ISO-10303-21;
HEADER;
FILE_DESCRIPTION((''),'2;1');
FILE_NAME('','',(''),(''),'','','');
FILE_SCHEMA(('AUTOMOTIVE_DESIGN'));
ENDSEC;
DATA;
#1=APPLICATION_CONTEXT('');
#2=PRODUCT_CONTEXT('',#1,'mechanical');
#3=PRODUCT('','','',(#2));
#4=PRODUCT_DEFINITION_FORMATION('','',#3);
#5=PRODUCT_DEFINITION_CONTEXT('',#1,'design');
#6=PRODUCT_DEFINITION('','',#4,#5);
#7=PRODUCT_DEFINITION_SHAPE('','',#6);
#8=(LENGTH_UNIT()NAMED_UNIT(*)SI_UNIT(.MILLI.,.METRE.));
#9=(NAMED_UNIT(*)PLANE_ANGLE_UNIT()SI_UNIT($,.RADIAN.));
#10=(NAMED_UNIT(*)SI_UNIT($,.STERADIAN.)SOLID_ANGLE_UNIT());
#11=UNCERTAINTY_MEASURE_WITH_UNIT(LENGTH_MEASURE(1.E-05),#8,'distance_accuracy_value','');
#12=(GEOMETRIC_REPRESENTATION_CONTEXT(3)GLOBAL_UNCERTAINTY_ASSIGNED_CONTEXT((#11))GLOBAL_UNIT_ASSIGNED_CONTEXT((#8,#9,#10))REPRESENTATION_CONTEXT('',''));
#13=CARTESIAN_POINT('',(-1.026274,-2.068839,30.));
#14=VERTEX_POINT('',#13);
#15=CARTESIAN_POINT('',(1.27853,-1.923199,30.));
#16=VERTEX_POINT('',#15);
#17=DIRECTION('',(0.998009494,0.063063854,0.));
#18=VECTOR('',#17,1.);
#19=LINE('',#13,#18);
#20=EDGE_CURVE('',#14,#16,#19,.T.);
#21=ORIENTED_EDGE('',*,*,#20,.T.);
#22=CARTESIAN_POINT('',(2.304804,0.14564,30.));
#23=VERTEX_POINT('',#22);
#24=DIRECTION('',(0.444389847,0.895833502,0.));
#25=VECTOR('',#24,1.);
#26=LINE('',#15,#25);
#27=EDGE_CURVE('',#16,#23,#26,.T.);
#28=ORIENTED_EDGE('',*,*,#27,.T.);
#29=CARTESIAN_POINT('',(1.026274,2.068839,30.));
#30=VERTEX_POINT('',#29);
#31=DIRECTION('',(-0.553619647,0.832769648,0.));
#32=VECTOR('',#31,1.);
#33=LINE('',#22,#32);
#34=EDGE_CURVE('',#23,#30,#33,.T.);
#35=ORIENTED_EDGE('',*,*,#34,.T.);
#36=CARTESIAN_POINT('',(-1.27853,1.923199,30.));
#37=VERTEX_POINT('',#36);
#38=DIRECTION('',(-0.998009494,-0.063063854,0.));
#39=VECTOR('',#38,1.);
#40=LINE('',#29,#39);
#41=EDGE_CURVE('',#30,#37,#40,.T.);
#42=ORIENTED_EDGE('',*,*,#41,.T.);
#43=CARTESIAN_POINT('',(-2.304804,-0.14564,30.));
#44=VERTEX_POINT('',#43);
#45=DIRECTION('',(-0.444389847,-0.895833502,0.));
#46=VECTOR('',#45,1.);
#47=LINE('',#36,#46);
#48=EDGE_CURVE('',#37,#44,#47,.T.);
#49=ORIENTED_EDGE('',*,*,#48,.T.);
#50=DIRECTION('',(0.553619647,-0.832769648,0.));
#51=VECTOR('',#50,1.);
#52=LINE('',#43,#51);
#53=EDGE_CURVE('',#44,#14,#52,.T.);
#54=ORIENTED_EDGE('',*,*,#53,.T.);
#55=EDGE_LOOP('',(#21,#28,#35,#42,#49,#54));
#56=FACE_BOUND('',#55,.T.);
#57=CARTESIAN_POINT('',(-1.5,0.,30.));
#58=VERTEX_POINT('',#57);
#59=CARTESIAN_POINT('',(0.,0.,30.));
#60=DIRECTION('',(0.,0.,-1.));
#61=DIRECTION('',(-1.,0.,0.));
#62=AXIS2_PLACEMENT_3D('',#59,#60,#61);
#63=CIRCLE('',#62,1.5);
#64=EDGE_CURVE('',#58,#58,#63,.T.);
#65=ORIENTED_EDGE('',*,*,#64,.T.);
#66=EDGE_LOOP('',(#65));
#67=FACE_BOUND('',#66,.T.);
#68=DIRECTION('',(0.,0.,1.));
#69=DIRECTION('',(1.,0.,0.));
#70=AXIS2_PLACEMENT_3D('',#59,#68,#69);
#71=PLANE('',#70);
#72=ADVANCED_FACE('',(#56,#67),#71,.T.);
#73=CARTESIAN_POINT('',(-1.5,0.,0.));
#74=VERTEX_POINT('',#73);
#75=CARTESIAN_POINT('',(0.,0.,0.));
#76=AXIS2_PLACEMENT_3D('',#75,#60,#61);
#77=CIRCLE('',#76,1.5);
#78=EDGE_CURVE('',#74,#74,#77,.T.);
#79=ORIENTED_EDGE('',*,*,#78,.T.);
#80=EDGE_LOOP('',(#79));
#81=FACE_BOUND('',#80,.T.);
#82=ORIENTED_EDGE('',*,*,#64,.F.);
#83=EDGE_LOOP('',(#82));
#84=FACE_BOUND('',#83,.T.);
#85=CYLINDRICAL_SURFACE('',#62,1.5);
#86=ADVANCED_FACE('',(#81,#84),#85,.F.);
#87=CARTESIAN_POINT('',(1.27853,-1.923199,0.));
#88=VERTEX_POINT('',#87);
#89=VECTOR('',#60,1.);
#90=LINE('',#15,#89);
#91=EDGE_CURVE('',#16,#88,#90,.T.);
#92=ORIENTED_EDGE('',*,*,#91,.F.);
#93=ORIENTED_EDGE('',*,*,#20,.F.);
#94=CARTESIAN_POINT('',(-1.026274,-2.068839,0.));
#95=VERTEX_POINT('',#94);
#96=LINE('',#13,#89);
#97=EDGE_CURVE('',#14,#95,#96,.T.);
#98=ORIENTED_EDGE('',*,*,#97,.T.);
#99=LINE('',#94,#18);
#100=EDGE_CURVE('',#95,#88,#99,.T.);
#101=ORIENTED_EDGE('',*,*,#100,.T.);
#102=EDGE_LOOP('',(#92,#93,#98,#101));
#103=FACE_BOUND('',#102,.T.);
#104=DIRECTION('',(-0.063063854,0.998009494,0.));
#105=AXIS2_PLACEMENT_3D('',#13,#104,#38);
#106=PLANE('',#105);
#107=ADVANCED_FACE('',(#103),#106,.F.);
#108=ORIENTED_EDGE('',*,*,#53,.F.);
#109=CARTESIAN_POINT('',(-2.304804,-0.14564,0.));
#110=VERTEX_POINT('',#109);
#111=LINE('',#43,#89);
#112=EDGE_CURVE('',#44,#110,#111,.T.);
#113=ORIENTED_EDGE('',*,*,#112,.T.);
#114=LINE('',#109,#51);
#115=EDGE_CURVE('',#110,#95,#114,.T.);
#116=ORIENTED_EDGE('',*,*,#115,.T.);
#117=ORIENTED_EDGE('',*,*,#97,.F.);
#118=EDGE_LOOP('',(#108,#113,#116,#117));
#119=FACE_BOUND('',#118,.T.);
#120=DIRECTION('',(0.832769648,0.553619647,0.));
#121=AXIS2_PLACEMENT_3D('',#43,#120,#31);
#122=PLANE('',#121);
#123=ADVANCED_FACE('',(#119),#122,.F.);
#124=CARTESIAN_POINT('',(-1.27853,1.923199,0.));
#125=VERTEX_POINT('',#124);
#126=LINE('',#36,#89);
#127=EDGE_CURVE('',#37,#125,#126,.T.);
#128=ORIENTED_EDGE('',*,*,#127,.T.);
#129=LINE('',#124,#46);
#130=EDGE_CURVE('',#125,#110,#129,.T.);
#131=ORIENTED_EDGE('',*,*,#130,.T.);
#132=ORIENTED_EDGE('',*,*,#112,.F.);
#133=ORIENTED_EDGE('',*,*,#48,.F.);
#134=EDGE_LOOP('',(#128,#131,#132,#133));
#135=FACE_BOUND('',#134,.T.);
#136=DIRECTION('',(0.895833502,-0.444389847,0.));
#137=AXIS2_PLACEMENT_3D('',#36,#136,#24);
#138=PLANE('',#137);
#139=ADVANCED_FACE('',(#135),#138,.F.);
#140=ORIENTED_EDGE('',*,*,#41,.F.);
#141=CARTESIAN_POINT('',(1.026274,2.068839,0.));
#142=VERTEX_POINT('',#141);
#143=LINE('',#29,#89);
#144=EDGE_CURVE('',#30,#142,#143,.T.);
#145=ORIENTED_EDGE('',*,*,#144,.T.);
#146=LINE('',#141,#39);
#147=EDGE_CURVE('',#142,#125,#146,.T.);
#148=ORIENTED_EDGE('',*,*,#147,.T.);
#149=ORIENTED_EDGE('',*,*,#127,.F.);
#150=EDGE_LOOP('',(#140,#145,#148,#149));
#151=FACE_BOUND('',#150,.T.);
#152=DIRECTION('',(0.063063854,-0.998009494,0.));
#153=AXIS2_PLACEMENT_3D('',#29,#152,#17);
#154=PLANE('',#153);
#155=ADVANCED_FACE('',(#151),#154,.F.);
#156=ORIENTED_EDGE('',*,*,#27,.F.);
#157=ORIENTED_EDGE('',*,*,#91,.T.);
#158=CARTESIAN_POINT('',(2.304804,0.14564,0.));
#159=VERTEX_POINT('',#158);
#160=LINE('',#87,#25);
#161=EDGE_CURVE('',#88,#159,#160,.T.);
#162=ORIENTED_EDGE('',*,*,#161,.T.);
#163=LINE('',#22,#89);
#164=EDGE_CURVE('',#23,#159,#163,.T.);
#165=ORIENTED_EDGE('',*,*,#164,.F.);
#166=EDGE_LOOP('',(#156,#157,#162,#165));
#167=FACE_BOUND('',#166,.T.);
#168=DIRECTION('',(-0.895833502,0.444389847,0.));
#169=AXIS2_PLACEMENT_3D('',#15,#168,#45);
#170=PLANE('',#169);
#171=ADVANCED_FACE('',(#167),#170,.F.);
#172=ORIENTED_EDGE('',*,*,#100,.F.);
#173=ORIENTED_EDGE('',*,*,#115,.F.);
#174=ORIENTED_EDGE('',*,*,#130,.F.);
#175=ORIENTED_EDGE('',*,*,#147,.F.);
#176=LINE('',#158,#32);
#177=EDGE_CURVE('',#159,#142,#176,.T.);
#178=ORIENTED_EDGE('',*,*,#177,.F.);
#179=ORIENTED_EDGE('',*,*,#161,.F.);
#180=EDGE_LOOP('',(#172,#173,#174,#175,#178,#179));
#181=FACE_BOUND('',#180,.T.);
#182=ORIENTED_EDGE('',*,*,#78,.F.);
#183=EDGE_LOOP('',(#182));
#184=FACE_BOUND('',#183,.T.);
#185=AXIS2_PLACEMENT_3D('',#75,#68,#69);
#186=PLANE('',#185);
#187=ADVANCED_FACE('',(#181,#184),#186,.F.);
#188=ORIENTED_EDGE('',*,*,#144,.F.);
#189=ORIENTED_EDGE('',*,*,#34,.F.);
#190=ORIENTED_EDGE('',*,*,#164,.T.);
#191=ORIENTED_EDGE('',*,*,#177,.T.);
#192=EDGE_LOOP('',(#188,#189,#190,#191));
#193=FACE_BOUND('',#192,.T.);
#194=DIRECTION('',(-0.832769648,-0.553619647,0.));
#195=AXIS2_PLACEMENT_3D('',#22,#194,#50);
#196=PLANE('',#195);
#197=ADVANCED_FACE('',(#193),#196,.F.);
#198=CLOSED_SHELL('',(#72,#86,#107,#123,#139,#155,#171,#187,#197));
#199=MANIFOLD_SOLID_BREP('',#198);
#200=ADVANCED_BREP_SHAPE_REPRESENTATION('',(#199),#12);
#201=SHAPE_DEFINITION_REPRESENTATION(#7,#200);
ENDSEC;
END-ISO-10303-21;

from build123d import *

# Parameters (mm, degrees)
EXTRUDE_1_DEPTH     = 30
SKETCH_2_R          = 1.5
CUT_EXTRUDE_1_DEPTH = 31


with BuildPart() as part:
    # 草图1 → 凸台-拉伸1 (new body)
    with BuildSketch(Plane.XY):
        Polygon((1.026274392, 2.068838854), (-1.278529808, 1.923199122), (-2.3048042, -0.145639732), (-1.026274392, -2.068838854), (1.278529808, -1.923199122), (2.3048042, 0.145639732), align=None)
    extrude(amount=EXTRUDE_1_DEPTH)

    # 草图2 → 切除-拉伸1 (cut, through all)
    with BuildSketch(Plane(origin=(0, 0, 0), x_dir=(-1, 0, 0), z_dir=(0, 0, -1))):
        Circle(SKETCH_2_R)
    extrude(amount=-CUT_EXTRUDE_1_DEPTH, mode=Mode.SUBTRACT)


solid = part.part
